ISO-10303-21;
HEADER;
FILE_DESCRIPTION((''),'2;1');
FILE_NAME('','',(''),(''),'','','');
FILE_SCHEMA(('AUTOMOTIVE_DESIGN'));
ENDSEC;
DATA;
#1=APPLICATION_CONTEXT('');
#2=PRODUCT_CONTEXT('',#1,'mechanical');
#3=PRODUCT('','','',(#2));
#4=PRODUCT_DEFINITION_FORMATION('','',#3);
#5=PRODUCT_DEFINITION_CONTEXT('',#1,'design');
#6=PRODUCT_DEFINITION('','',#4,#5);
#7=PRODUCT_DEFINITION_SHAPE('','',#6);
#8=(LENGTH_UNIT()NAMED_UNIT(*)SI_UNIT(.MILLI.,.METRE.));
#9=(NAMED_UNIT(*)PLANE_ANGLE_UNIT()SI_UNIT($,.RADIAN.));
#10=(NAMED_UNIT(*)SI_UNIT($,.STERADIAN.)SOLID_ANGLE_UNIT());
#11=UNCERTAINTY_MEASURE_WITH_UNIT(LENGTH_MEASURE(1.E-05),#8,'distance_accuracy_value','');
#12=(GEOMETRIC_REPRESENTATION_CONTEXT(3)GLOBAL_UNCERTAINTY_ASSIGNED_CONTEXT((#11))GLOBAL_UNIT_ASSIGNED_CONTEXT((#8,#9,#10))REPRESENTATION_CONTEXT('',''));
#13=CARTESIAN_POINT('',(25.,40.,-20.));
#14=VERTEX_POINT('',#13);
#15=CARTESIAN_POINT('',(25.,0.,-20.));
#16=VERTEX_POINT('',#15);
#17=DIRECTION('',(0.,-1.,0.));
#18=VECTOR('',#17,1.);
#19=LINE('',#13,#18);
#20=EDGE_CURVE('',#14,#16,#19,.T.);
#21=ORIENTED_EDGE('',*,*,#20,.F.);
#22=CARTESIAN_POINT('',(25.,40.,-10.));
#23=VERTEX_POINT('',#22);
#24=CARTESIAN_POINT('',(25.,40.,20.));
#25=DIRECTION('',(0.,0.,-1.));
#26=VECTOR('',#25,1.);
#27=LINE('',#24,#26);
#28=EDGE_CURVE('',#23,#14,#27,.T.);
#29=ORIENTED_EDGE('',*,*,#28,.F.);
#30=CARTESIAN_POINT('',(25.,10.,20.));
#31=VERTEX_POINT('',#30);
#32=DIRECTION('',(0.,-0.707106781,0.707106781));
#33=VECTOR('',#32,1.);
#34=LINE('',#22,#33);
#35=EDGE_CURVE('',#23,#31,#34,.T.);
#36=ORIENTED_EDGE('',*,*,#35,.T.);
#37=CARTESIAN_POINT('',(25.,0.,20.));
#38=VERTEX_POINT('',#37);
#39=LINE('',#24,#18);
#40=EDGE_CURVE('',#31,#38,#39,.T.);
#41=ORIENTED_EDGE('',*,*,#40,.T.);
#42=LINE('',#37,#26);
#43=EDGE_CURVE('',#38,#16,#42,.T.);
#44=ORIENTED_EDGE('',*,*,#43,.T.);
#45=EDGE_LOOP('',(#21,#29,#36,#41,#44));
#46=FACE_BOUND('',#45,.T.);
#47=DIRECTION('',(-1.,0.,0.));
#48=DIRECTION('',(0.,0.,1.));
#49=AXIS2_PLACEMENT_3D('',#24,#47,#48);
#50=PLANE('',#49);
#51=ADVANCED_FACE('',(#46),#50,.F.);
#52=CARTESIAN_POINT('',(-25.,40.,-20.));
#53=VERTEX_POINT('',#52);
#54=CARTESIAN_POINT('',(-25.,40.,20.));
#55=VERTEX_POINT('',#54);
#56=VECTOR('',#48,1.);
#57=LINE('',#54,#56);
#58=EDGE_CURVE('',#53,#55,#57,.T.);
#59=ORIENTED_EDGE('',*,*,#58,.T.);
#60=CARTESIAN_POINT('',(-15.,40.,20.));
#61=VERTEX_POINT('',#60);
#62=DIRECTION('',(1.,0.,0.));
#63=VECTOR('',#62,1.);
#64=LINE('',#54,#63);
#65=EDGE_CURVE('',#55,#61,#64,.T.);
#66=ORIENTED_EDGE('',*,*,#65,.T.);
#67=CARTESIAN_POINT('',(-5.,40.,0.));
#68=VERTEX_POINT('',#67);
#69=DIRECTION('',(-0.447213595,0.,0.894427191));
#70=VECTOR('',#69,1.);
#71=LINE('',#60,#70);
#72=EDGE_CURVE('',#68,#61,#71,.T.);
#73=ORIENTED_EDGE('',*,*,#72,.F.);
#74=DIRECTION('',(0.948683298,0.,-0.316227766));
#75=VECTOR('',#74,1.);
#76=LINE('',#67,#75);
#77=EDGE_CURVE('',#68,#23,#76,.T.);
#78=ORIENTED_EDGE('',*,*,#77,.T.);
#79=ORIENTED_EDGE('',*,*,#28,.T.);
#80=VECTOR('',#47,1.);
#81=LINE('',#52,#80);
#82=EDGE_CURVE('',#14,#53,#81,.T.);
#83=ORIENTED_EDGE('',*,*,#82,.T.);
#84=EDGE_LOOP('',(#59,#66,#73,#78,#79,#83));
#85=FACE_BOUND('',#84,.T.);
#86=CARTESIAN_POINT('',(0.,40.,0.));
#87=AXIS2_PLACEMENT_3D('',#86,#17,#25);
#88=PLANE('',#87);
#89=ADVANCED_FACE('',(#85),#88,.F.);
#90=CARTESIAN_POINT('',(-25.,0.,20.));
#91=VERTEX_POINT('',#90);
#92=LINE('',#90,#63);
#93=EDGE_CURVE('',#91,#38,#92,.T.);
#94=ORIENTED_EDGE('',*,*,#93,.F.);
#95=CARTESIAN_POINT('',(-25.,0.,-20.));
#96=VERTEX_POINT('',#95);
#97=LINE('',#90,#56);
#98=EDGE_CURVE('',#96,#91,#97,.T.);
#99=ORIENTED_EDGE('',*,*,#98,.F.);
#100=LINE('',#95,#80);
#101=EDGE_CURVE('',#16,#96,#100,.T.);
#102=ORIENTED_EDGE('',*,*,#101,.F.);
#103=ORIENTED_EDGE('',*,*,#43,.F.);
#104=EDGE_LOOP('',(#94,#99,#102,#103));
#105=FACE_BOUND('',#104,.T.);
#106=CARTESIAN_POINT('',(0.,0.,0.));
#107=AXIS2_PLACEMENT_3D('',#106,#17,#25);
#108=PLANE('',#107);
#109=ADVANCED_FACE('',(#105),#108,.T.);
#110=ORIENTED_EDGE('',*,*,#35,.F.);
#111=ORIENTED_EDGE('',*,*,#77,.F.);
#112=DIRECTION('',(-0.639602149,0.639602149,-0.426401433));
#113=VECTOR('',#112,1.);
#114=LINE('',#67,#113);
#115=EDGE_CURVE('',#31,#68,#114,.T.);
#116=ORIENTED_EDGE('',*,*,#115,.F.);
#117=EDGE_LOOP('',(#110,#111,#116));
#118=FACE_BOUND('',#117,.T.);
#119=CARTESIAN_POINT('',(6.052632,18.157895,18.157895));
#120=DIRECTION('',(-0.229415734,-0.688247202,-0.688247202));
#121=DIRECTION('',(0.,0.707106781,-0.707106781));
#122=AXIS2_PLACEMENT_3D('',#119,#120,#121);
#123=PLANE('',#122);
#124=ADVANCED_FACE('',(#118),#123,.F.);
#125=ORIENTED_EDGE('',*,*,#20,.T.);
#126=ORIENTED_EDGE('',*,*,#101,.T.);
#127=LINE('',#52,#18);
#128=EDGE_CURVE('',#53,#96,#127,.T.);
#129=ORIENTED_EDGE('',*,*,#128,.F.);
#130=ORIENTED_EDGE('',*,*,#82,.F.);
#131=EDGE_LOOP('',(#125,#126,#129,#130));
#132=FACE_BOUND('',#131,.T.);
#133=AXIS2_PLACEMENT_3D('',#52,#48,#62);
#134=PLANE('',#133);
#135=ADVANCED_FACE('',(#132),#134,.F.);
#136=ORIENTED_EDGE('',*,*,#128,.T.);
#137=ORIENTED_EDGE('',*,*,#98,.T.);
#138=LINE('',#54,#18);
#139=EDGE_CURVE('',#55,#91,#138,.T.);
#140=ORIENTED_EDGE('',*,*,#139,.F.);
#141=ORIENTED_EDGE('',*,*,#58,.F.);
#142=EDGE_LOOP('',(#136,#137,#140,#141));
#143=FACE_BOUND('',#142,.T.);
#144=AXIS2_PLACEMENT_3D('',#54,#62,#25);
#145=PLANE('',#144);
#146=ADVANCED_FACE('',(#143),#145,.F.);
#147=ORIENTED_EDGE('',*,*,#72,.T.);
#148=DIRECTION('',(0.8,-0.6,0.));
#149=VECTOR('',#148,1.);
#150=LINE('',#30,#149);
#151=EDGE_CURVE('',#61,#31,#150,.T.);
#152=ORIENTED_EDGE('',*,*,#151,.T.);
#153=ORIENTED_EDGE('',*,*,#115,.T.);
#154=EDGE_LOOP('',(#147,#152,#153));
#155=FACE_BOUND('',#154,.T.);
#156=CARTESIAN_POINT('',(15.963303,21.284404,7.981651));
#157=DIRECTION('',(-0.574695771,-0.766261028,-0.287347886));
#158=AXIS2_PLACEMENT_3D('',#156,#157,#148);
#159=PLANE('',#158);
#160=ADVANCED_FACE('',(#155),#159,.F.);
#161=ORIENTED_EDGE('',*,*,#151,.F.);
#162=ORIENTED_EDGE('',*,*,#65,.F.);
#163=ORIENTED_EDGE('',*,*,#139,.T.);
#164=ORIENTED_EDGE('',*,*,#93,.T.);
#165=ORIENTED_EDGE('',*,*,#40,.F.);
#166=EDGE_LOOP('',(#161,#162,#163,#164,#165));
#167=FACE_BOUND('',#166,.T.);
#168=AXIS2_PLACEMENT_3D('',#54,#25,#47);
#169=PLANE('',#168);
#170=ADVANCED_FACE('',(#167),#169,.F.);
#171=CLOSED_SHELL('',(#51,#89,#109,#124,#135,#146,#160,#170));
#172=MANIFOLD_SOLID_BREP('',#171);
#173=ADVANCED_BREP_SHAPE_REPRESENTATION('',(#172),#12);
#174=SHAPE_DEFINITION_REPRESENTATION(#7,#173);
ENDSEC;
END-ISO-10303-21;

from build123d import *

# Parameters (mm, degrees)
SKETCH_18_W          = 50
SKETCH_18_H          = 40
EXTRUDE_2_DEPTH      = 40
CUT_EXTRUDE_9_DEPTH  = 40
CUT_EXTRUDE_10_DEPTH = 40


with BuildPart() as part:
    # 草圖18 → 填料-伸長2 (new body)
    with BuildSketch(Plane(origin=(0, 0, 0), x_dir=(1, 0, 0), z_dir=(0, 1, 0))):
        Rectangle(SKETCH_18_W, SKETCH_18_H)
    extrude(amount=EXTRUDE_2_DEPTH)

    # 草圖28 → 除料-伸長9 (cut)
    with BuildSketch(Plane(origin=(15.963302752, 21.28440367, 7.981651376), x_dir=(0.818367137, -0.538104419, -0.201789157), z_dir=(0.574695771, 0.766261028, 0.287347886))):
        Polygon((-37.835466942, -4.681645888), (-25.616012434, 14.044937664), (11.042351093, -15.215349135), align=None)
    extrude(amount=CUT_EXTRUDE_9_DEPTH, mode=Mode.SUBTRACT)

    # 草圖31 → 除料-伸長10 (cut)
    with BuildSketch(Plane(origin=(6.052631579, 18.157894737, 18.157894737), x_dir=(-0.973328527, 0.162221421, 0.162221421), z_dir=(-0.229415734, -0.688247202, -0.688247202))):
        Polygon((11.355499479, 28.284271247), (-19.466570536, 35.355339059), (-19.466570536, -7.071067812), align=None)
    extrude(amount=-CUT_EXTRUDE_10_DEPTH, mode=Mode.SUBTRACT)


solid = part.part
